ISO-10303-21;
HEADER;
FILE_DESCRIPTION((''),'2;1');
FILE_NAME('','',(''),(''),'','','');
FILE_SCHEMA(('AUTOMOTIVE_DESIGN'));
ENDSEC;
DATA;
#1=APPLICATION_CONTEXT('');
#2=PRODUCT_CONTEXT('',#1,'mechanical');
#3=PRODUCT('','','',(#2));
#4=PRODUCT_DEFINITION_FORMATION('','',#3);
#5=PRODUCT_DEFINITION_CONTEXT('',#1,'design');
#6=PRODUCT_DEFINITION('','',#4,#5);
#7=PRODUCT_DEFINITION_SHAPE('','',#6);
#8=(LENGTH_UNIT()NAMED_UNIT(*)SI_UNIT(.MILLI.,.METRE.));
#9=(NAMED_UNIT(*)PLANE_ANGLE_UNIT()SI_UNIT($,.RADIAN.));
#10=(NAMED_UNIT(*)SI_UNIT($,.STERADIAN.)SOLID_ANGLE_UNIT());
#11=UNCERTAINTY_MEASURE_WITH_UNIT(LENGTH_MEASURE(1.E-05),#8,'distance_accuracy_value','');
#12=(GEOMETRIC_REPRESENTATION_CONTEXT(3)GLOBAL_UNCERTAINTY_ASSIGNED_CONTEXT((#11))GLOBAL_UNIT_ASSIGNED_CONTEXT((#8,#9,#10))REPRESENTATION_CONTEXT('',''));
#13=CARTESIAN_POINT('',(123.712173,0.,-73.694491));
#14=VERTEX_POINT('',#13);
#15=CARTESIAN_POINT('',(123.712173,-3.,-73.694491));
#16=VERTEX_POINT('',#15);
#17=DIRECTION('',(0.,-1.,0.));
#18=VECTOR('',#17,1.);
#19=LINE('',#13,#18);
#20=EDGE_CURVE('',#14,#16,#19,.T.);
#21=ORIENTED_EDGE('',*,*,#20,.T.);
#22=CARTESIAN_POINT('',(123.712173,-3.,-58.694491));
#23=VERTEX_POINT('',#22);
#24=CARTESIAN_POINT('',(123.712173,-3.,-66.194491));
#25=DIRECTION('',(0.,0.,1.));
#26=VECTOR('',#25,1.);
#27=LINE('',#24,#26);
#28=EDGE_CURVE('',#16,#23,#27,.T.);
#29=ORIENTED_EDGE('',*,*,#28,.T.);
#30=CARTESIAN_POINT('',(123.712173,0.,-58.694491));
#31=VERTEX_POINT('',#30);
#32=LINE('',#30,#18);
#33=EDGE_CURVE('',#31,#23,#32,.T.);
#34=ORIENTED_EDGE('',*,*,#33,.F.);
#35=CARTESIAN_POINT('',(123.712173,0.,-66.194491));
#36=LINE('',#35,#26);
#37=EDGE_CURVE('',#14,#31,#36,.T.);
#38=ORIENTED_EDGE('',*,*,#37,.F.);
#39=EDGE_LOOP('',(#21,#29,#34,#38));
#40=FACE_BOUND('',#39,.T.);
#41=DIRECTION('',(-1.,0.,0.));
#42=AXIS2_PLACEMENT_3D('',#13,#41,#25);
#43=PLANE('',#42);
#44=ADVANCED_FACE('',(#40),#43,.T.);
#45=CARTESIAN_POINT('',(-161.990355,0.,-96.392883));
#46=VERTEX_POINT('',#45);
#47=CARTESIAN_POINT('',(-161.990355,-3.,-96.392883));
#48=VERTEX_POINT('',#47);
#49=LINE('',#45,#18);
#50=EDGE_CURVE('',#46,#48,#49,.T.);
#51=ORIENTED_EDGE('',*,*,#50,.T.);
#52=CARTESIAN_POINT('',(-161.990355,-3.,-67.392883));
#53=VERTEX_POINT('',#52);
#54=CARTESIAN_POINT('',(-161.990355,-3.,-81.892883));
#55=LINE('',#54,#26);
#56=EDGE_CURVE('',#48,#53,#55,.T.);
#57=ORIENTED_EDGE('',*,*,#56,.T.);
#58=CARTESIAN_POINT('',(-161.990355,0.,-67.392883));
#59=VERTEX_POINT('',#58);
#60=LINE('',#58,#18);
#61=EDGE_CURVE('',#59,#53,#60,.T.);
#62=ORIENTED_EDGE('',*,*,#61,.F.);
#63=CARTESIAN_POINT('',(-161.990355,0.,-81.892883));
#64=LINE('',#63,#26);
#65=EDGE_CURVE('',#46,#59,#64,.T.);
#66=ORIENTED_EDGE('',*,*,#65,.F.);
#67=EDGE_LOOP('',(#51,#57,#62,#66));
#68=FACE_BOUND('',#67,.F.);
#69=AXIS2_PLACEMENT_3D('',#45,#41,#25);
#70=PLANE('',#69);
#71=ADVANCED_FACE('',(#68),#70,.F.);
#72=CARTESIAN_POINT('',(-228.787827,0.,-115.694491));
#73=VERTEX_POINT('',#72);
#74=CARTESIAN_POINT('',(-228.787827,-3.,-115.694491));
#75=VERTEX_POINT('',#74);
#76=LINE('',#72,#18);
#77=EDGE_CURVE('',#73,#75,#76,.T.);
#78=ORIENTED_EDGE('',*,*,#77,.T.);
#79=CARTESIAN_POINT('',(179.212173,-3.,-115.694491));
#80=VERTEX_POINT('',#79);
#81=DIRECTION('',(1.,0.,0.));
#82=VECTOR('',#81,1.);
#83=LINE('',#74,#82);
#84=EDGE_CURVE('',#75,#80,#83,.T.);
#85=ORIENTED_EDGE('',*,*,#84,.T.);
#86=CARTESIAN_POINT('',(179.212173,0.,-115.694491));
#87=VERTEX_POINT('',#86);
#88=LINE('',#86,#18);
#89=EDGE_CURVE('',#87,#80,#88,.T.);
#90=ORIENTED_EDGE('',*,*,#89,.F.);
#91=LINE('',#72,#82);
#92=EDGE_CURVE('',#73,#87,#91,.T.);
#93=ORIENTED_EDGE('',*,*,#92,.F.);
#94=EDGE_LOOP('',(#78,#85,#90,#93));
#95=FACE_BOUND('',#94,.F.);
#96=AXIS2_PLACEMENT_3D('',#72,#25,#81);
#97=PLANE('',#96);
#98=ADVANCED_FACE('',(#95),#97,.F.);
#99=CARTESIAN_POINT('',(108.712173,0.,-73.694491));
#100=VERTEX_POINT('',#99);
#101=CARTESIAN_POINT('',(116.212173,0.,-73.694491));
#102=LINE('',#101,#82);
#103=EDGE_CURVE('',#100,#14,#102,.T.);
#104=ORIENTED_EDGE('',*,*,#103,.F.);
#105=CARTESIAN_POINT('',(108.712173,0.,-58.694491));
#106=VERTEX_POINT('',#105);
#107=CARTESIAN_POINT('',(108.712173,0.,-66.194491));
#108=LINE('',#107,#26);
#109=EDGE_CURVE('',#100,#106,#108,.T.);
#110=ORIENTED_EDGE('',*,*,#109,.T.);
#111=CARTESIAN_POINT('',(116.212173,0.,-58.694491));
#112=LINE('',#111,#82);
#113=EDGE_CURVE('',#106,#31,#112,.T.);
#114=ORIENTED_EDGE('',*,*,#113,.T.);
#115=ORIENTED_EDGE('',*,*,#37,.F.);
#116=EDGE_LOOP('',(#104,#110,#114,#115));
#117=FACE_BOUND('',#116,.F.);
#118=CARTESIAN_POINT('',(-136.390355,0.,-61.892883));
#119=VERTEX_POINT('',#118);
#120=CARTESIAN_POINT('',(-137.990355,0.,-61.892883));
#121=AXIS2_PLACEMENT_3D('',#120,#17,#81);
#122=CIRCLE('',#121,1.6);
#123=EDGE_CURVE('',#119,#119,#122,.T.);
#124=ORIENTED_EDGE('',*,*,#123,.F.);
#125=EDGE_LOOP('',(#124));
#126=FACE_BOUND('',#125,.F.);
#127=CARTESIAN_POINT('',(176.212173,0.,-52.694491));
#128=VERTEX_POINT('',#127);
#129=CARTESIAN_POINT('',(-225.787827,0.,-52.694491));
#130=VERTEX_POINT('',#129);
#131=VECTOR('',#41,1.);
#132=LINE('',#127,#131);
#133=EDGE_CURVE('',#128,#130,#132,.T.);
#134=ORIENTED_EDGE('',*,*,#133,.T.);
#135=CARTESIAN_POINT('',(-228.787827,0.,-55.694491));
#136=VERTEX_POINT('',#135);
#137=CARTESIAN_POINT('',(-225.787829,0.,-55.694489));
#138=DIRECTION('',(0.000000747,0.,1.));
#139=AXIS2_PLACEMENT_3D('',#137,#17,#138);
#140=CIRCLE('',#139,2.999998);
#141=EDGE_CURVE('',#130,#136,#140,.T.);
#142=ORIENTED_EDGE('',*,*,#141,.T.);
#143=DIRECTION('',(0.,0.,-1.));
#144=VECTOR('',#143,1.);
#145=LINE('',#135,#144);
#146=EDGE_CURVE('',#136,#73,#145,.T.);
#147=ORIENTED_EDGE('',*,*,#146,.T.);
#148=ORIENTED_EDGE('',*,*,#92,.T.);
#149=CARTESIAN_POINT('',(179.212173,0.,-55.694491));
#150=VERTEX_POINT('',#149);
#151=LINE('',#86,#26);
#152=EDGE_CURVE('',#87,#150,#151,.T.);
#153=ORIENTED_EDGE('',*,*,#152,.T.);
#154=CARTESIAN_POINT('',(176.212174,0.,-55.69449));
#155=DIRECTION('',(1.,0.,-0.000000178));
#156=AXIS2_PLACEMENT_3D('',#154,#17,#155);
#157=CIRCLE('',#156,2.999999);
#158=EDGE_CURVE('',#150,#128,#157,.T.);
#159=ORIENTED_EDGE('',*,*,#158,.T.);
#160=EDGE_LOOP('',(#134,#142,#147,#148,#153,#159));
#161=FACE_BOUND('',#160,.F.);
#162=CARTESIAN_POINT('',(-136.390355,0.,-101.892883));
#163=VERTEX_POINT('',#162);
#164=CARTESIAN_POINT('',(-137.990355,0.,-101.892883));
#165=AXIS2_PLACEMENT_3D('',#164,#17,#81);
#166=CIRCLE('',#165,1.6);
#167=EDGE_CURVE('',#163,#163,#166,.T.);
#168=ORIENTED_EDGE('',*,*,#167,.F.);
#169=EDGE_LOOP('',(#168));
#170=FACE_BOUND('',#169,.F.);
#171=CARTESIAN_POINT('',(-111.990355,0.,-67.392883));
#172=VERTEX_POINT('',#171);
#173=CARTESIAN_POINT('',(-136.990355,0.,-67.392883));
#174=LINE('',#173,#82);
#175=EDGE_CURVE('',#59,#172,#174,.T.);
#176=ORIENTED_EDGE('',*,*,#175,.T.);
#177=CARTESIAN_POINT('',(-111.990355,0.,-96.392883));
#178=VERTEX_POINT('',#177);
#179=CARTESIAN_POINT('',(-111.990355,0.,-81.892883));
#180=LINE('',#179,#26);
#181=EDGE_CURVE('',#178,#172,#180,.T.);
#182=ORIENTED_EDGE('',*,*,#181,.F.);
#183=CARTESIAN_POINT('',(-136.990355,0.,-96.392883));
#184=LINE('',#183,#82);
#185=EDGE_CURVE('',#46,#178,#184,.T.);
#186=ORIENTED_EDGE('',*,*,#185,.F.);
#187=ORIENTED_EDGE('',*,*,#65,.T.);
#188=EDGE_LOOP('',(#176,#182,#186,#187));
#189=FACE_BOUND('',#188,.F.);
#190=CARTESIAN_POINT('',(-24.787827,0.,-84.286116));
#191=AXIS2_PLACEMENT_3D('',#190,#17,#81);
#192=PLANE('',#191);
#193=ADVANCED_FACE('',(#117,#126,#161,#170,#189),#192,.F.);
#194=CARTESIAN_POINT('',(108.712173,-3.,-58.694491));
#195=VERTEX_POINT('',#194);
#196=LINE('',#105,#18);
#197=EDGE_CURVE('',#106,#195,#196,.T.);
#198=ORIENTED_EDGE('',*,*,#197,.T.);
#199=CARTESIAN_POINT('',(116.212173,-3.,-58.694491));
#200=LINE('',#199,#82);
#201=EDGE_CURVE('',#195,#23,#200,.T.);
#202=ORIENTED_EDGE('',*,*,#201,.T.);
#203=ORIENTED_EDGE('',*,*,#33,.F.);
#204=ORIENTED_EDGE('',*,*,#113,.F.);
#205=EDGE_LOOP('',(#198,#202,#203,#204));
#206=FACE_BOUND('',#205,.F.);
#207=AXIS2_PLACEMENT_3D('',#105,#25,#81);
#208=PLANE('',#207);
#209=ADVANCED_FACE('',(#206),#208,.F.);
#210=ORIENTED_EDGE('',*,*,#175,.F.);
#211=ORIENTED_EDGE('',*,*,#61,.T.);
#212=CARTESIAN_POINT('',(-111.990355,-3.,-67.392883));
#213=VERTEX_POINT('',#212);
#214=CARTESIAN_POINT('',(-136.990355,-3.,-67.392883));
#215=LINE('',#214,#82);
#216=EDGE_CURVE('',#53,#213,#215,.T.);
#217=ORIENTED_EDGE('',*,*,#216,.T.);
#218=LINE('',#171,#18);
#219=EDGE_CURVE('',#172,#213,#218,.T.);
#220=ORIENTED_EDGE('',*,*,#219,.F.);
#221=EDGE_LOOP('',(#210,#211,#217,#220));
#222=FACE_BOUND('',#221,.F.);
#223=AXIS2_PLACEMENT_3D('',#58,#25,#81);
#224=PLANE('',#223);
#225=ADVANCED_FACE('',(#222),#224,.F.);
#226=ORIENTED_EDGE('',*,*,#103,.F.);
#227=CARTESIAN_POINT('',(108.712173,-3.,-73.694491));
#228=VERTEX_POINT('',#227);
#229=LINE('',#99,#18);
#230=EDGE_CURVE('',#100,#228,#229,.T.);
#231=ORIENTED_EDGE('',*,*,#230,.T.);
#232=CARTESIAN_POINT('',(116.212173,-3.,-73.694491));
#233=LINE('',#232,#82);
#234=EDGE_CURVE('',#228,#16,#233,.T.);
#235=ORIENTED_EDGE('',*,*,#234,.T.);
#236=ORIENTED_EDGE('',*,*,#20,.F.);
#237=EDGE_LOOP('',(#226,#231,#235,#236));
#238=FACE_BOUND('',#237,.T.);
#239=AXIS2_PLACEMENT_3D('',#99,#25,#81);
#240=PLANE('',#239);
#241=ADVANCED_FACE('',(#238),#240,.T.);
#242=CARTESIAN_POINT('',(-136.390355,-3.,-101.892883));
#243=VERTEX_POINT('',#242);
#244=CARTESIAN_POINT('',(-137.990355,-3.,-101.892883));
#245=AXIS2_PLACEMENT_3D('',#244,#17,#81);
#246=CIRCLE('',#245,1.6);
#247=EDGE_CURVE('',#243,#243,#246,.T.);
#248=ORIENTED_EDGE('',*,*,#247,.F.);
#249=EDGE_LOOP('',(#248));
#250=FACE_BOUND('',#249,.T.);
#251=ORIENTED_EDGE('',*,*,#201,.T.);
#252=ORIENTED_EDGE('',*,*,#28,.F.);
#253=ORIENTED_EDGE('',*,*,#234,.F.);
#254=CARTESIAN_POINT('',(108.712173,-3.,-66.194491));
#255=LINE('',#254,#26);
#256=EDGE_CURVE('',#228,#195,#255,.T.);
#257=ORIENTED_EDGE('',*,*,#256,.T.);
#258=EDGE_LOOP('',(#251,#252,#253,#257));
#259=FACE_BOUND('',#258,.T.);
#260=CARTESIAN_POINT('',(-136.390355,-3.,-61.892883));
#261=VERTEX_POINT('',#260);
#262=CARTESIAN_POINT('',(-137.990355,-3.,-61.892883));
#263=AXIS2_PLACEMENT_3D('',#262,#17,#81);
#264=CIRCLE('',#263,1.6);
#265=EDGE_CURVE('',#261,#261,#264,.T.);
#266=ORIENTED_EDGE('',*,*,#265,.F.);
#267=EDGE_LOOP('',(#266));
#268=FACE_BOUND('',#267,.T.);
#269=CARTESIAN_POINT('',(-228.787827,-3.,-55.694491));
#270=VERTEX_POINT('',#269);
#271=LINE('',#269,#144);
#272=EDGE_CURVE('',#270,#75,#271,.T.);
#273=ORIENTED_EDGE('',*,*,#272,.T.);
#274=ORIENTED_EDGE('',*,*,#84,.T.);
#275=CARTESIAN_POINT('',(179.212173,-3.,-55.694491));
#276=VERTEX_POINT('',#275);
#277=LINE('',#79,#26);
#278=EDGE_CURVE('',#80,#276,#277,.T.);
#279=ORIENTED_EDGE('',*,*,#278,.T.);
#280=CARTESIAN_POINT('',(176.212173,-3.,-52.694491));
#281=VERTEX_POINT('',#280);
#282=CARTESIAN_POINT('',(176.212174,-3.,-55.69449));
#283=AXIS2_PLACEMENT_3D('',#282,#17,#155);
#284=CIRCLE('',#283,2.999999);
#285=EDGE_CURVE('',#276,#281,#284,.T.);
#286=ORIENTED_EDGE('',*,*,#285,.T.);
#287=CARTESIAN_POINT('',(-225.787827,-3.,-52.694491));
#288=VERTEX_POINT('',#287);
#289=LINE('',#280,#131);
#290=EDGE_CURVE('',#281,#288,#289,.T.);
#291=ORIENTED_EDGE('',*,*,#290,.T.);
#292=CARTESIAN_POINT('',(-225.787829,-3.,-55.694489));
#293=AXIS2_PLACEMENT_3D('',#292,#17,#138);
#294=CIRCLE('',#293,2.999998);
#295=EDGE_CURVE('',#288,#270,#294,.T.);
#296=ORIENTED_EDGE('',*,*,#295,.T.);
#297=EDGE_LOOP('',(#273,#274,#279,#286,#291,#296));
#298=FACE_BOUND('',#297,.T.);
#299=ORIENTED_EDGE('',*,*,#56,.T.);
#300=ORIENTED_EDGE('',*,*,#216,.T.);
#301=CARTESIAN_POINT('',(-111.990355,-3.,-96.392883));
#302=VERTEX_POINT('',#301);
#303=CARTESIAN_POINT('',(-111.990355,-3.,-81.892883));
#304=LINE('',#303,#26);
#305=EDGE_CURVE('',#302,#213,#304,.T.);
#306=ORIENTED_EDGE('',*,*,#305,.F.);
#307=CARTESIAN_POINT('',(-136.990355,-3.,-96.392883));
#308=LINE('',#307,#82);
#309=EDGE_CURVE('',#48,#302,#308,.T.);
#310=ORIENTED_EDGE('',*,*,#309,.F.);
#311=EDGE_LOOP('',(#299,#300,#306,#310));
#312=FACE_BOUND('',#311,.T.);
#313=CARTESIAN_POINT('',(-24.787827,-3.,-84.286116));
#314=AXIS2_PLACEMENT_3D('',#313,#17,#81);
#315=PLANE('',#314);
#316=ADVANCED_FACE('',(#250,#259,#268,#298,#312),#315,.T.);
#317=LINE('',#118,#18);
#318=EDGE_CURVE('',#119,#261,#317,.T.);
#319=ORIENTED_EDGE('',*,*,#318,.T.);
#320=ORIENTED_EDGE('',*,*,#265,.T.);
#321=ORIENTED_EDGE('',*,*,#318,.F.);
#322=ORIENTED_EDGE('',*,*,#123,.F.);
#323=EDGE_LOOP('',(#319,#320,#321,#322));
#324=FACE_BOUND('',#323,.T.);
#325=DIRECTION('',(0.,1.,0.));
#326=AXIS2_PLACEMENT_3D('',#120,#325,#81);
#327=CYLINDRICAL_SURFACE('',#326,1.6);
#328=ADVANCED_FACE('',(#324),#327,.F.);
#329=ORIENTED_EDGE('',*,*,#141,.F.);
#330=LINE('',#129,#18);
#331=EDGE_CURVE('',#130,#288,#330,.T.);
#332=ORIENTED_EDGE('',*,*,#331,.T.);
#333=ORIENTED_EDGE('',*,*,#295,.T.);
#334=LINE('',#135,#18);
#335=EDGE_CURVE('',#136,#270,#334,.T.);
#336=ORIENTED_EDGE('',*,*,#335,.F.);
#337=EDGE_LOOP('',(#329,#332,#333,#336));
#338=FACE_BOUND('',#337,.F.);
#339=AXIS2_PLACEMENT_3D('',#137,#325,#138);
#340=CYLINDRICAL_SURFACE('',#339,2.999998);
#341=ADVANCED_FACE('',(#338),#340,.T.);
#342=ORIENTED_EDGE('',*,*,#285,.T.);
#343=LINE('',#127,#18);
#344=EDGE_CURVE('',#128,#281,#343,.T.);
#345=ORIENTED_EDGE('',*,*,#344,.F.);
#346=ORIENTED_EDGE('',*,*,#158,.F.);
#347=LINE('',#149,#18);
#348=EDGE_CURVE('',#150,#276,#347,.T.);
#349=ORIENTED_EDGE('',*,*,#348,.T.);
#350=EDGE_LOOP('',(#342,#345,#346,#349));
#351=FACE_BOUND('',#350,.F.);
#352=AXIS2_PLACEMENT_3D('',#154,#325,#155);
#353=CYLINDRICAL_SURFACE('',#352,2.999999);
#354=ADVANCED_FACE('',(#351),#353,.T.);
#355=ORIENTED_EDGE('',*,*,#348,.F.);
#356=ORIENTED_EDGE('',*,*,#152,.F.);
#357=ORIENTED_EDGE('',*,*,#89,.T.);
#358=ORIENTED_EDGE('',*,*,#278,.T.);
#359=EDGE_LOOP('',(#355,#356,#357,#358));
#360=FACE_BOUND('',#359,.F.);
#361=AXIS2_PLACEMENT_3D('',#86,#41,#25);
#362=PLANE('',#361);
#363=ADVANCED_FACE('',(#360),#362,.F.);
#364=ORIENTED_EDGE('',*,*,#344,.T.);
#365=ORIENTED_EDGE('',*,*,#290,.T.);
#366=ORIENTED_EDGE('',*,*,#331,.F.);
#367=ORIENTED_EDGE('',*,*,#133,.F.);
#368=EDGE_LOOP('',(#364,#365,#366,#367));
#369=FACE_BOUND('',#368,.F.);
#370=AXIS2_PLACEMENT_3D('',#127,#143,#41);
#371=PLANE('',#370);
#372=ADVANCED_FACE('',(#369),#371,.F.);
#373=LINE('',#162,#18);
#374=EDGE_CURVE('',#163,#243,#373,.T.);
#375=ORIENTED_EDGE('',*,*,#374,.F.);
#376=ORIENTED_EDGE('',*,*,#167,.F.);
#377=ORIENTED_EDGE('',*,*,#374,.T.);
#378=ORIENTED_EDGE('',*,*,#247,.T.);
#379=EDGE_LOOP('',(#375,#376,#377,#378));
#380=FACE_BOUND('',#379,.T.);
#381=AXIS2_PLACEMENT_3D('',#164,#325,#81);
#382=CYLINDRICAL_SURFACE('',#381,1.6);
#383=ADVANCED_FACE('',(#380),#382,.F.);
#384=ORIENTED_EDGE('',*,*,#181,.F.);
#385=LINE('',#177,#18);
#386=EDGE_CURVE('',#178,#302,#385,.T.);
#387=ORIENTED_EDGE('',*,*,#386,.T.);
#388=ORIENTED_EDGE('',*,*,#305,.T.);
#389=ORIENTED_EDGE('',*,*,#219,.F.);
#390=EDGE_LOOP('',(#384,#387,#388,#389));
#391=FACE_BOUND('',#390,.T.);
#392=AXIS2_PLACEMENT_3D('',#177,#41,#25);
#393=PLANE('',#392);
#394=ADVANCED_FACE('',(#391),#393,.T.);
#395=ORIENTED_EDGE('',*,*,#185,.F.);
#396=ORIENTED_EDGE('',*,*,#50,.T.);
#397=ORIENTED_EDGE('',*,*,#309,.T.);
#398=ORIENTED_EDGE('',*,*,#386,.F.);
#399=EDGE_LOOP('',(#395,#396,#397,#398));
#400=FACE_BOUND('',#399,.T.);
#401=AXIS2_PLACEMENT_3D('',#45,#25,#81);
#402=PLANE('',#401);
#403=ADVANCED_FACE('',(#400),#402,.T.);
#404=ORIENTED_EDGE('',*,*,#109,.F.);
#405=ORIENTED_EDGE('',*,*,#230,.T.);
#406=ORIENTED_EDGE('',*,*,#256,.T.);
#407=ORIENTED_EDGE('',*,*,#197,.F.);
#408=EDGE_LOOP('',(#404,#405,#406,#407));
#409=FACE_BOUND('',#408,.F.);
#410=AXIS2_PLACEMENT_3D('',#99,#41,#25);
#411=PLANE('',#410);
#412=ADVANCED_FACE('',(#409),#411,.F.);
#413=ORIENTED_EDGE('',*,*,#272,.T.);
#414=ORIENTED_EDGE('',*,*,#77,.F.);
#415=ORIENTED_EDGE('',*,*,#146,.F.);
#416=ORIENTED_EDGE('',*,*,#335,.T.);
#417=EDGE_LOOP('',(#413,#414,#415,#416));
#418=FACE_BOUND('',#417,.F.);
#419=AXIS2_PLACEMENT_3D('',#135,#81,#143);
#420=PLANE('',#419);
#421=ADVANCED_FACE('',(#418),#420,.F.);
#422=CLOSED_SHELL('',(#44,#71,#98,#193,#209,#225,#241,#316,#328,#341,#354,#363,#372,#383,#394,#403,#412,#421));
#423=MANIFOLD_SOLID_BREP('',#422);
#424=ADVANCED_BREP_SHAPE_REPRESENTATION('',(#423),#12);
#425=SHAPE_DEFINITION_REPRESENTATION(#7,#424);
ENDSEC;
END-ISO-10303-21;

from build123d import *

# Parameters (mm, degrees)
F0_R     = 1.6
F0_W     = 50
F0_H     = 29
F0_W_2   = 15
F0_H_2   = 15
F1_DEPTH = 3


with BuildPart() as f1:
    # F0 (on Front) → F1 (new body)
    with BuildSketch(Plane.XZ):
        with BuildLine():
            Line((176.212173, -52.694491), (-225.787827, -52.694491))
            ThreePointArc((-225.787827, -52.694491), (-227.909148, -53.57317), (-228.787827, -55.694491))
            Line((-228.787827, -55.694491), (-228.787827, -115.694491))
            Line((-228.787827, -115.694491), (179.212173, -115.694491))
            Line((179.212173, -115.694491), (179.212173, -55.694491))
            ThreePointArc((179.212173, -55.694491), (178.333493, -53.57317), (176.212173, -52.694491))
        make_face()
        with Locations((-137.990355, -101.892883)):
            Circle(F0_R, mode=Mode.SUBTRACT)
        with Locations((-136.990355, -81.892883)):
            Rectangle(F0_W, F0_H, mode=Mode.SUBTRACT)
        with Locations((-137.990355, -61.892883)):
            Circle(F0_R, mode=Mode.SUBTRACT)
        with Locations((116.212173, -66.194491)):
            Rectangle(F0_W_2, F0_H_2, mode=Mode.SUBTRACT)
    extrude(amount=F1_DEPTH)


solid = f1.part
